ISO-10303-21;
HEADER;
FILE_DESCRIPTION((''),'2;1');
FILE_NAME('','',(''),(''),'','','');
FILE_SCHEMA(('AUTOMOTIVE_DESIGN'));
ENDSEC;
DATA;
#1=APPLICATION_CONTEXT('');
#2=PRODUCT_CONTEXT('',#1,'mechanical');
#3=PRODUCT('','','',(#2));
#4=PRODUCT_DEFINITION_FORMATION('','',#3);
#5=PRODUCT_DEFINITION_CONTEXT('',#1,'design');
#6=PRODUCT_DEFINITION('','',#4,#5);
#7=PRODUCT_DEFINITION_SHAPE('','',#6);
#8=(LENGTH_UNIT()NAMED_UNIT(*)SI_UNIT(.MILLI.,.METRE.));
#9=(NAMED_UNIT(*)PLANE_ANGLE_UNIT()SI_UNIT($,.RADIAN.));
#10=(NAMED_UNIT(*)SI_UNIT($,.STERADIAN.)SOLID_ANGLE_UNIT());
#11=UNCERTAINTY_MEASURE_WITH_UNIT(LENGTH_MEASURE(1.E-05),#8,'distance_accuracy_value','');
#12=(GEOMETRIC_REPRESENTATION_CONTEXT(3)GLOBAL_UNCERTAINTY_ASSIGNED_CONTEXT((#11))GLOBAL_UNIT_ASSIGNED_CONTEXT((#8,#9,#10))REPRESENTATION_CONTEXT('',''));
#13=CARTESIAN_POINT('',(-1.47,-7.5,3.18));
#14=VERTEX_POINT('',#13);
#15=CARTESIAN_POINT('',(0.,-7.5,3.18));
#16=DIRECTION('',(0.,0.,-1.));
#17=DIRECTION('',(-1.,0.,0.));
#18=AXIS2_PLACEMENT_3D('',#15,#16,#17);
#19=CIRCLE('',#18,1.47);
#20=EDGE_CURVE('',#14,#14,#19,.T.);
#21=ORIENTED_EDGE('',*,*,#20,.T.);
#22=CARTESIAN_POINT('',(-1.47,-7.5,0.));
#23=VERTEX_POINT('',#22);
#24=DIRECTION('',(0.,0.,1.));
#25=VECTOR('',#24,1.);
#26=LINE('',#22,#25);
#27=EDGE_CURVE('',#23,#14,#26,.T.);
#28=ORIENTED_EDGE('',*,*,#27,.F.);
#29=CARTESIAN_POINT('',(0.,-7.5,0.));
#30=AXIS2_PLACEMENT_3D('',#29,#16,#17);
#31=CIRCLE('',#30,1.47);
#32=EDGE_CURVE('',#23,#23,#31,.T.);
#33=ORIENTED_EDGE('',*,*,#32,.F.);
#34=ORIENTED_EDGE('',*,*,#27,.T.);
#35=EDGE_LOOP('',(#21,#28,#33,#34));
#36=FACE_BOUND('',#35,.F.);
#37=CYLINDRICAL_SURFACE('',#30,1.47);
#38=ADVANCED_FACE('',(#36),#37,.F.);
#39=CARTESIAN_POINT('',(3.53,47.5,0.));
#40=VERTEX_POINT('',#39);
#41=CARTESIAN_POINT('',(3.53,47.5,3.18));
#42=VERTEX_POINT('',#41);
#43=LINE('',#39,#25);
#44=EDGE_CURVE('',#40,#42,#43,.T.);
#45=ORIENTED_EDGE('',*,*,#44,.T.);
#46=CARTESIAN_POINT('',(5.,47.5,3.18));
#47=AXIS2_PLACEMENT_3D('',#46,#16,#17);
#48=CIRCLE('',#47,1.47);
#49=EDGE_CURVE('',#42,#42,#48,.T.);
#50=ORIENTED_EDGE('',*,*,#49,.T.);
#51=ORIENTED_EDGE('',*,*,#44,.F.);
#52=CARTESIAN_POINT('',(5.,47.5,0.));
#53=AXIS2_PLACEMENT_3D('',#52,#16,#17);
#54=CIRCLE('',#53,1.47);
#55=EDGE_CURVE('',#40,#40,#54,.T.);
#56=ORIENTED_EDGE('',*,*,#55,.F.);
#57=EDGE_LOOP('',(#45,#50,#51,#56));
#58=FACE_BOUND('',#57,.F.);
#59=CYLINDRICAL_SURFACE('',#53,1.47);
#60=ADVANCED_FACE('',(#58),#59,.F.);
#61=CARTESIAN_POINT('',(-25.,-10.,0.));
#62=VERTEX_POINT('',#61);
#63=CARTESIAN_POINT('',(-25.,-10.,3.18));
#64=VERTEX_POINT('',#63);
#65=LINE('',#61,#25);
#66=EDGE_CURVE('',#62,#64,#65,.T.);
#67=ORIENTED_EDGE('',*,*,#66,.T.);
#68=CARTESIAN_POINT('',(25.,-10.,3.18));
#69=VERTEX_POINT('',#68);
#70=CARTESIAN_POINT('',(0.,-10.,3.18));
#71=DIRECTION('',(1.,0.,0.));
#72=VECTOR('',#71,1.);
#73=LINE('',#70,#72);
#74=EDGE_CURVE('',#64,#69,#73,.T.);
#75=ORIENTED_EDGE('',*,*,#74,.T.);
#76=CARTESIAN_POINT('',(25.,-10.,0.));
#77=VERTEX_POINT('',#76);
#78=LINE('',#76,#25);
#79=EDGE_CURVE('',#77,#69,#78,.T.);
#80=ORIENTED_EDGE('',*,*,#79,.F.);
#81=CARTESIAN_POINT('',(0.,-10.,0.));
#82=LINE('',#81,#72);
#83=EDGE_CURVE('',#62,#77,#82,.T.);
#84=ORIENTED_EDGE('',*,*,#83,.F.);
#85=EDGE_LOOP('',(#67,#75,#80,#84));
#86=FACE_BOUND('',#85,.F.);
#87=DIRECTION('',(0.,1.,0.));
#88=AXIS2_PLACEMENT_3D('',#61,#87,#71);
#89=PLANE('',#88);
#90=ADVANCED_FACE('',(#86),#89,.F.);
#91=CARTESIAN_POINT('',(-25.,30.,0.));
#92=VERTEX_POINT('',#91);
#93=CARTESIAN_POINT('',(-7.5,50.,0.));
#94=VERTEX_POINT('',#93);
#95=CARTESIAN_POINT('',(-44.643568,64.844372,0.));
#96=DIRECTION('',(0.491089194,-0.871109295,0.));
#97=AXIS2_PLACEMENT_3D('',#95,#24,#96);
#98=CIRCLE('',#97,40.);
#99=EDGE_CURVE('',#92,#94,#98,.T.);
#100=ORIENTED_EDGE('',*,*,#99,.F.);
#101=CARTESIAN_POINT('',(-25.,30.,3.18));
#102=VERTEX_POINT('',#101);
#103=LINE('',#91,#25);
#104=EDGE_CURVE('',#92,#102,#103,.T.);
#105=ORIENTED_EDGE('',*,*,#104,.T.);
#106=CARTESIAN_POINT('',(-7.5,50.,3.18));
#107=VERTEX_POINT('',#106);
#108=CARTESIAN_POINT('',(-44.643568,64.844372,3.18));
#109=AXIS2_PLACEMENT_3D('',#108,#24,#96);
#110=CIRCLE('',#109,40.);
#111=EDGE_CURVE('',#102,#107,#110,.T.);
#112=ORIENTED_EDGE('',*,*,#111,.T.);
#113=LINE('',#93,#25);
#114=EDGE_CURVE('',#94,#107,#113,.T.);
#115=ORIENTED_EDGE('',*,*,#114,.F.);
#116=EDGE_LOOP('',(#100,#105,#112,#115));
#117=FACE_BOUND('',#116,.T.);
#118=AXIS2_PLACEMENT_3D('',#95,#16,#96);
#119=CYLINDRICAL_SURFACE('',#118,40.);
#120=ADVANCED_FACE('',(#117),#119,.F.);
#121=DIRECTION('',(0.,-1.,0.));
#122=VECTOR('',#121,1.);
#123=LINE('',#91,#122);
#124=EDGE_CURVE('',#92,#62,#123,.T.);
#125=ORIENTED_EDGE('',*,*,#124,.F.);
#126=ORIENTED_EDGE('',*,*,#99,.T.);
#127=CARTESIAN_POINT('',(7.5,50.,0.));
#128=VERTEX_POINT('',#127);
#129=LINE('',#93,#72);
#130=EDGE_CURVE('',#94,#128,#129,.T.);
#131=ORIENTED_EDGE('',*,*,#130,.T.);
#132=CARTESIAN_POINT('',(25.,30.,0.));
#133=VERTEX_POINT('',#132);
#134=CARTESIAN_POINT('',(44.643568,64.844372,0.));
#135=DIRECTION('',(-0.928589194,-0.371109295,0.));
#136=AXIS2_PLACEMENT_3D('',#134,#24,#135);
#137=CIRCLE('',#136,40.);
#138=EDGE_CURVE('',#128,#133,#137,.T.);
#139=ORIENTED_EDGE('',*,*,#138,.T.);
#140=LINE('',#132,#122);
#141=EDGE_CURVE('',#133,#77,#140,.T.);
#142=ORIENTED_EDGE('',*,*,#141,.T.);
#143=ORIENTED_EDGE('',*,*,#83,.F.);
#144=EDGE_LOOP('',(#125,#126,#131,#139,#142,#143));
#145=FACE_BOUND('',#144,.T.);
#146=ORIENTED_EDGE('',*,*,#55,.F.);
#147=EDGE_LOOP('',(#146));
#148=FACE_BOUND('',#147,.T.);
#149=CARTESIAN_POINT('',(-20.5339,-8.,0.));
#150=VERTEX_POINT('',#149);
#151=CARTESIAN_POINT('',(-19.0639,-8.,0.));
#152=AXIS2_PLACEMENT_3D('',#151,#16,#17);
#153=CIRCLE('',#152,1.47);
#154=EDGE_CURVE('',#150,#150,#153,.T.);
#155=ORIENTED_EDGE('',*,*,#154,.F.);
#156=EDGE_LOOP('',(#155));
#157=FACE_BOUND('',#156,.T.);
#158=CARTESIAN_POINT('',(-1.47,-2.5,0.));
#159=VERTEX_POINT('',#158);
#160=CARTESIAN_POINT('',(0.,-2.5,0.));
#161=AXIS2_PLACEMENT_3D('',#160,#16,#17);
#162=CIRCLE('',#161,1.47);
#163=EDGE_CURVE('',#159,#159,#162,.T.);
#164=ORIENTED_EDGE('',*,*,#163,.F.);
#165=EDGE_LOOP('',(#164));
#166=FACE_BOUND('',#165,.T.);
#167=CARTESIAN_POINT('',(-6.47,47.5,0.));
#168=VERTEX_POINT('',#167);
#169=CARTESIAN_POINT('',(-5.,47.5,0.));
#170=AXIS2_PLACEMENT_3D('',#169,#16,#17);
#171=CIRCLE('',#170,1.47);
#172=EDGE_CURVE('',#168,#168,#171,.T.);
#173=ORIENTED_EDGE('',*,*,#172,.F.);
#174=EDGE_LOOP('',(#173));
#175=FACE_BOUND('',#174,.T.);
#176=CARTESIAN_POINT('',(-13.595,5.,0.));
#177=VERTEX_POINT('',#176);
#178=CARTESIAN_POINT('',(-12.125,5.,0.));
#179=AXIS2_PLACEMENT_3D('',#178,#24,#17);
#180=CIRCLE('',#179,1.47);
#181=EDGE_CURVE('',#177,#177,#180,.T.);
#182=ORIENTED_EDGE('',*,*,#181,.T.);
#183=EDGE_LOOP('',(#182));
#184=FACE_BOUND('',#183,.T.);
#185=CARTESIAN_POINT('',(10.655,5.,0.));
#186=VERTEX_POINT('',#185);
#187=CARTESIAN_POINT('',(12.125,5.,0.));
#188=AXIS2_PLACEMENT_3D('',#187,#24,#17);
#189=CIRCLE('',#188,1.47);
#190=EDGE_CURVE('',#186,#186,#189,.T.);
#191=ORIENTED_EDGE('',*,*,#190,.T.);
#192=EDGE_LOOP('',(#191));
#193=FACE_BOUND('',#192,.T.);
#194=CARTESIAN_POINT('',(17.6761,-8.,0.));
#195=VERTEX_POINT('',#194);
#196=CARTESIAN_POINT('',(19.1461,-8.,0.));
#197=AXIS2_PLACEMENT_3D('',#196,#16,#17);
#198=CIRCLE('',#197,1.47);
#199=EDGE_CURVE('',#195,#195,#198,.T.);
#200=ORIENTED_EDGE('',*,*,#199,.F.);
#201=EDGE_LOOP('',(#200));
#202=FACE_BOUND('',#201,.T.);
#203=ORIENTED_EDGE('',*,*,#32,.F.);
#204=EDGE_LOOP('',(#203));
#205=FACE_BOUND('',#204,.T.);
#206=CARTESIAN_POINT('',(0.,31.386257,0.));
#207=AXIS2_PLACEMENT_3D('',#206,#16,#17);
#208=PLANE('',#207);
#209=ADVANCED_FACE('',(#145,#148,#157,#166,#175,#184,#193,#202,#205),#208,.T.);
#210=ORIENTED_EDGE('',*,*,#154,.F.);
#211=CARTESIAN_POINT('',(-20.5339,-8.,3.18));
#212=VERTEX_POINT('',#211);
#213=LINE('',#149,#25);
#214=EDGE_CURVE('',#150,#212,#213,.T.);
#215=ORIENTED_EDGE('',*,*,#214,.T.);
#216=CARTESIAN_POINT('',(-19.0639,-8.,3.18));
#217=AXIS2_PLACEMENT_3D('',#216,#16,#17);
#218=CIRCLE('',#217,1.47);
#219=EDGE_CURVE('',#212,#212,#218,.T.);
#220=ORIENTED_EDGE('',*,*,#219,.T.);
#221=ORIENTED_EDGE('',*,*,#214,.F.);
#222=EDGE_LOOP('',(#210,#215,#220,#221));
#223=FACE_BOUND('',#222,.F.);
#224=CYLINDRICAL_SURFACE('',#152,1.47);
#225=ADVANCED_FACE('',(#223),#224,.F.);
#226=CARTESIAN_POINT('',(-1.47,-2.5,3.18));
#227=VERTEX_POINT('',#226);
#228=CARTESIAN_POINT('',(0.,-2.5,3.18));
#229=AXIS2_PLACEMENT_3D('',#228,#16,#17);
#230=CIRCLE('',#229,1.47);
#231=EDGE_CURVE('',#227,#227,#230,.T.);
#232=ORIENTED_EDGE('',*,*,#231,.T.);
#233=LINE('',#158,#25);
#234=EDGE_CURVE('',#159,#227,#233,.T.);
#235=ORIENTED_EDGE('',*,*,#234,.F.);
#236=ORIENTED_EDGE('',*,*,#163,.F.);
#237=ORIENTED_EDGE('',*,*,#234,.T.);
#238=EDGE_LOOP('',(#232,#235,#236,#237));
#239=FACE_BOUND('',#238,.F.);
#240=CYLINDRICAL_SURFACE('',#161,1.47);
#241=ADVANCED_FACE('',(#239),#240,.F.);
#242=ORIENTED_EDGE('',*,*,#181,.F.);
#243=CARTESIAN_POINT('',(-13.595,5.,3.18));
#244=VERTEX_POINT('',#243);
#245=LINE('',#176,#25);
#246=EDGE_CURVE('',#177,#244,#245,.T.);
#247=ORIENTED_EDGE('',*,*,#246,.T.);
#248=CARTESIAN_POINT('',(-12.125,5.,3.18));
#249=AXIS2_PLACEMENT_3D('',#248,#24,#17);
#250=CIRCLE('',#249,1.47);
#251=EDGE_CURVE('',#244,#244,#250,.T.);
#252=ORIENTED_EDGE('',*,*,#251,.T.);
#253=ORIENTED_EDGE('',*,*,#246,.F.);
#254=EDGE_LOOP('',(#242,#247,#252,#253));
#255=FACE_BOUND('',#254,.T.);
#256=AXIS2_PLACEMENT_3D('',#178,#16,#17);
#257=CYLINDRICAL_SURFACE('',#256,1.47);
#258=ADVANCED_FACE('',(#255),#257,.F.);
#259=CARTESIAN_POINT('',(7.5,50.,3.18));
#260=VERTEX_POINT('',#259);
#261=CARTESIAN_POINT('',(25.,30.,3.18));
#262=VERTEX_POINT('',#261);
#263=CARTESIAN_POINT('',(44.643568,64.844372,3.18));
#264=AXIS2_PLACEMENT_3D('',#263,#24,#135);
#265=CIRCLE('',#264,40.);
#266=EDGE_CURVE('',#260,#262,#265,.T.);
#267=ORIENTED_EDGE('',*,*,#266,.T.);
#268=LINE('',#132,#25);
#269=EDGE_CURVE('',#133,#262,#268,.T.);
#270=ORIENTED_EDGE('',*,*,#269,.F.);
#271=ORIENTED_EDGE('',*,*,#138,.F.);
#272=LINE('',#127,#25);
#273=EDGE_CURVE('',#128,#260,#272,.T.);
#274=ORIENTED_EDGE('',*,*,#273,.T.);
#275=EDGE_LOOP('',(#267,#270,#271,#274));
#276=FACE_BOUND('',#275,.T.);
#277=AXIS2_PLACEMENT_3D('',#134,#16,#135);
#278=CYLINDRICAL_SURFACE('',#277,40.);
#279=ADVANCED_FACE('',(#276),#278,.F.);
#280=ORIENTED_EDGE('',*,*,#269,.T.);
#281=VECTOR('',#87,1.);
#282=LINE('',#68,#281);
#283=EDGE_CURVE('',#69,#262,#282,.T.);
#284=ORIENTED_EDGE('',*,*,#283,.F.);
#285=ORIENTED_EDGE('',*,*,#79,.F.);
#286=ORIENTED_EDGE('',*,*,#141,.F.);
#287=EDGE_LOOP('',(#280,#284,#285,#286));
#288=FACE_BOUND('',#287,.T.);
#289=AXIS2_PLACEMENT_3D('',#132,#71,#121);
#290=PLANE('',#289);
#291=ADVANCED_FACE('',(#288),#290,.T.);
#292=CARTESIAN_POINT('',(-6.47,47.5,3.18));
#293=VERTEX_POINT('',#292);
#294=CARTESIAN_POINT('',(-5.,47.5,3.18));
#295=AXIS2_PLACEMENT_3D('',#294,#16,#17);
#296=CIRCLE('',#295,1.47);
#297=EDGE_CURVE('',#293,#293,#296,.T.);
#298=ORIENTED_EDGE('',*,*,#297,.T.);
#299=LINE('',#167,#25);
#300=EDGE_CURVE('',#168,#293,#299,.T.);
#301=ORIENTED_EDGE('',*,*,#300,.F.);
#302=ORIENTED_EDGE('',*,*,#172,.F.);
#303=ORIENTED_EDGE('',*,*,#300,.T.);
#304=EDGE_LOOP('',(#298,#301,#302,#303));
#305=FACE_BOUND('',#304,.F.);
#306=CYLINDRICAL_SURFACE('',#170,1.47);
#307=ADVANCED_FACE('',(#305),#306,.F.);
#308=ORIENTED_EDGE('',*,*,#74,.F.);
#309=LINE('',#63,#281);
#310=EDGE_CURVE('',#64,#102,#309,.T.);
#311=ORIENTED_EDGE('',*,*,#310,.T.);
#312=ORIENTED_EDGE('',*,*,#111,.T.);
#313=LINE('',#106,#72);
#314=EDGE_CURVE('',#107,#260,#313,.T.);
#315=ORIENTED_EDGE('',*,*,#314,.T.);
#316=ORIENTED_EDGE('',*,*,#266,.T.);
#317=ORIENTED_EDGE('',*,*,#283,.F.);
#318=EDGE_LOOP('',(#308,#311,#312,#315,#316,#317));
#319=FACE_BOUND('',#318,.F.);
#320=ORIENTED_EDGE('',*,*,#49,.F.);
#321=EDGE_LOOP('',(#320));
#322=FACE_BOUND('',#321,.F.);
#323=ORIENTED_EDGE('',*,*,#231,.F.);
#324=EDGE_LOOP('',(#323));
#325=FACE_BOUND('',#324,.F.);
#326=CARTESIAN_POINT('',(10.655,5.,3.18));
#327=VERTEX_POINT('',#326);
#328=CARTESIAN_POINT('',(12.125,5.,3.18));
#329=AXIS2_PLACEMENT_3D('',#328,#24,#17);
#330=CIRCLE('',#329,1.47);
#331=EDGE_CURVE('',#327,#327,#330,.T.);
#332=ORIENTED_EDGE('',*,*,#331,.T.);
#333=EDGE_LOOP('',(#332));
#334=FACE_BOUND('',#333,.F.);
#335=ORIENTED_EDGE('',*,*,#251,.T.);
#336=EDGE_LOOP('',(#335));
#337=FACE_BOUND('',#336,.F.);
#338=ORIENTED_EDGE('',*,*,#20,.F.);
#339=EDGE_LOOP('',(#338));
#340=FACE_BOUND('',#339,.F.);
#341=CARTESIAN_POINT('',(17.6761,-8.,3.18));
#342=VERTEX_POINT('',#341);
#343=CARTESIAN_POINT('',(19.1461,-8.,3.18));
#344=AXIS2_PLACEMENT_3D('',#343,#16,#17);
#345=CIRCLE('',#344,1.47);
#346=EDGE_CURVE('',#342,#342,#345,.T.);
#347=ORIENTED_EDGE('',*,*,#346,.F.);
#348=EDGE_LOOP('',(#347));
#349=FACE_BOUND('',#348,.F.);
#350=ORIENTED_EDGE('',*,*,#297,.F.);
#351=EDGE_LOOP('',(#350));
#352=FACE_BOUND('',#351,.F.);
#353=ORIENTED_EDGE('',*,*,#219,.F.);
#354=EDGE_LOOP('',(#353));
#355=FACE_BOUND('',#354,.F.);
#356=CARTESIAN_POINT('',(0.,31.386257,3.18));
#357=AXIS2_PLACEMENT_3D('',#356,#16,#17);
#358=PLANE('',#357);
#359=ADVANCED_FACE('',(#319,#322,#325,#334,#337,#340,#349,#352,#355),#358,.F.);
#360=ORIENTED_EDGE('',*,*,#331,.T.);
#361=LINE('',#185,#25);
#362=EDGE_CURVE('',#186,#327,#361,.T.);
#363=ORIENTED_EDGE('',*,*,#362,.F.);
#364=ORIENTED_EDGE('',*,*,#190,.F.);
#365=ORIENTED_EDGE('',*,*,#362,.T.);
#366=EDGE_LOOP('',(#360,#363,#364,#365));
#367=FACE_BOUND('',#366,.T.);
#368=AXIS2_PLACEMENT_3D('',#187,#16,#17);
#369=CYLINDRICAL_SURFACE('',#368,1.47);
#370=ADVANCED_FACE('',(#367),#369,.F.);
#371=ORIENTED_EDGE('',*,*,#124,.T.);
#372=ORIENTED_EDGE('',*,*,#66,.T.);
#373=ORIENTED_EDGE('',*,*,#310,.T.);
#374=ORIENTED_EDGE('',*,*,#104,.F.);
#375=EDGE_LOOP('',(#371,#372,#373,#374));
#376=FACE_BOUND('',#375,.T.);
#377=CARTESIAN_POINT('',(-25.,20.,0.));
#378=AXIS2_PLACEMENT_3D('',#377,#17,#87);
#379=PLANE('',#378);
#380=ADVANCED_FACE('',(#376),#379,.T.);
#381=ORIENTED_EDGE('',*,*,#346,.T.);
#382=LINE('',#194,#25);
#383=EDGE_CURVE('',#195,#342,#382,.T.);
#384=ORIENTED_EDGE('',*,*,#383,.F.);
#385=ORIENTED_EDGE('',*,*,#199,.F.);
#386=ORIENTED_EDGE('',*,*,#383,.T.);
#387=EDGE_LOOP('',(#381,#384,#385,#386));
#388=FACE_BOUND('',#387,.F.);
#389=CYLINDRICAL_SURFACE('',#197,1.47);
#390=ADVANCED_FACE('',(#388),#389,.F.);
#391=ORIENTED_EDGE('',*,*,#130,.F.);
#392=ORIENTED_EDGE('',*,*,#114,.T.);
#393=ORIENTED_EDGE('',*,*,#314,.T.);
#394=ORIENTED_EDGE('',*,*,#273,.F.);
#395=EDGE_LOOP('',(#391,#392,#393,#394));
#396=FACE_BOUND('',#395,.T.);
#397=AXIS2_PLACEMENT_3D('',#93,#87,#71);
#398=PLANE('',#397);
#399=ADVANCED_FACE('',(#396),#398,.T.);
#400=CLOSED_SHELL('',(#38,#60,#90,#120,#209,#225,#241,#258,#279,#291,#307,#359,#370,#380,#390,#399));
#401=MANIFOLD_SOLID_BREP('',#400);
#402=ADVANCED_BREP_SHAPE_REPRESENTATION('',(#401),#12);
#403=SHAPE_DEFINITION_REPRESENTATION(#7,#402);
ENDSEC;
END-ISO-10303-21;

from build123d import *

# Parameters (mm, degrees)
SKETCH1_W           = 50
SKETCH1_H           = 30
SKETCH1_R           = 1.47
BOSS_EXTRUDE1_DEPTH = 3.18
BOSS_EXTRUDE2_DEPTH = 3.18
SKETCH3_R           = 1.47
CUT_EXTRUDE1_DEPTH  = 56.992074439
SKETCH4_R           = 1.47
CUT_EXTRUDE2_DEPTH  = 56.992074439


with BuildPart() as part:
    # Sketch1 → Boss-Extrude1 (new body)
    with BuildSketch(Plane.XY):
        with Locations((0, 5)):
            Rectangle(SKETCH1_W, SKETCH1_H)
        with Locations(Location((-12.125, 5, 0), (0, 0, 180))):
            Circle(SKETCH1_R, mode=Mode.SUBTRACT)
        with Locations(Location((12.125, 5, 0), (0, 0, 180))):
            Circle(SKETCH1_R, mode=Mode.SUBTRACT)
    extrude(amount=BOSS_EXTRUDE1_DEPTH)

    # Sketch2 → Boss-Extrude2 (add)
    with BuildSketch(Plane(origin=(0, 0, 0), x_dir=(-1, 0, 0), z_dir=(0, 0, -1))):
        with BuildLine():
            Line((-25, 20), (25, 20))
            Line((25, 20), (25, 30))
            ThreePointArc((25, 30), (14.540499974, 38.504187477), (7.5, 50))
            Line((7.5, 50), (-7.5, 50))
            ThreePointArc((-7.5, 50), (-14.540499974, 38.504187477), (-25, 30))
            Line((-25, 30), (-25, 20))
        make_face()
    extrude(amount=-BOSS_EXTRUDE2_DEPTH)

    # Sketch3 → Cut-Extrude1 (cut, through all)
    with BuildSketch(Plane(origin=(0, 0, 0), x_dir=(-1, 0, 0), z_dir=(0, 0, -1))):
        with Locations((-5, 47.5)):
            Circle(SKETCH3_R)
        with Locations((5, 47.5)):
            Circle(SKETCH3_R)
    extrude(amount=-CUT_EXTRUDE1_DEPTH, mode=Mode.SUBTRACT)

    # Sketch4 → Cut-Extrude2 (cut, through all)
    with BuildSketch(Plane(origin=(0, 0, 0), x_dir=(-1, 0, 0), z_dir=(0, 0, -1))):
        with Locations((0, -7.5)):
            Circle(SKETCH4_R)
        with Locations((-19.1461, -8)):
            Circle(SKETCH4_R)
        with Locations((0, -2.5)):
            Circle(SKETCH4_R)
        with Locations((19.0639, -8)):
            Circle(SKETCH4_R)
    extrude(amount=-CUT_EXTRUDE2_DEPTH, mode=Mode.SUBTRACT)


solid = part.part
